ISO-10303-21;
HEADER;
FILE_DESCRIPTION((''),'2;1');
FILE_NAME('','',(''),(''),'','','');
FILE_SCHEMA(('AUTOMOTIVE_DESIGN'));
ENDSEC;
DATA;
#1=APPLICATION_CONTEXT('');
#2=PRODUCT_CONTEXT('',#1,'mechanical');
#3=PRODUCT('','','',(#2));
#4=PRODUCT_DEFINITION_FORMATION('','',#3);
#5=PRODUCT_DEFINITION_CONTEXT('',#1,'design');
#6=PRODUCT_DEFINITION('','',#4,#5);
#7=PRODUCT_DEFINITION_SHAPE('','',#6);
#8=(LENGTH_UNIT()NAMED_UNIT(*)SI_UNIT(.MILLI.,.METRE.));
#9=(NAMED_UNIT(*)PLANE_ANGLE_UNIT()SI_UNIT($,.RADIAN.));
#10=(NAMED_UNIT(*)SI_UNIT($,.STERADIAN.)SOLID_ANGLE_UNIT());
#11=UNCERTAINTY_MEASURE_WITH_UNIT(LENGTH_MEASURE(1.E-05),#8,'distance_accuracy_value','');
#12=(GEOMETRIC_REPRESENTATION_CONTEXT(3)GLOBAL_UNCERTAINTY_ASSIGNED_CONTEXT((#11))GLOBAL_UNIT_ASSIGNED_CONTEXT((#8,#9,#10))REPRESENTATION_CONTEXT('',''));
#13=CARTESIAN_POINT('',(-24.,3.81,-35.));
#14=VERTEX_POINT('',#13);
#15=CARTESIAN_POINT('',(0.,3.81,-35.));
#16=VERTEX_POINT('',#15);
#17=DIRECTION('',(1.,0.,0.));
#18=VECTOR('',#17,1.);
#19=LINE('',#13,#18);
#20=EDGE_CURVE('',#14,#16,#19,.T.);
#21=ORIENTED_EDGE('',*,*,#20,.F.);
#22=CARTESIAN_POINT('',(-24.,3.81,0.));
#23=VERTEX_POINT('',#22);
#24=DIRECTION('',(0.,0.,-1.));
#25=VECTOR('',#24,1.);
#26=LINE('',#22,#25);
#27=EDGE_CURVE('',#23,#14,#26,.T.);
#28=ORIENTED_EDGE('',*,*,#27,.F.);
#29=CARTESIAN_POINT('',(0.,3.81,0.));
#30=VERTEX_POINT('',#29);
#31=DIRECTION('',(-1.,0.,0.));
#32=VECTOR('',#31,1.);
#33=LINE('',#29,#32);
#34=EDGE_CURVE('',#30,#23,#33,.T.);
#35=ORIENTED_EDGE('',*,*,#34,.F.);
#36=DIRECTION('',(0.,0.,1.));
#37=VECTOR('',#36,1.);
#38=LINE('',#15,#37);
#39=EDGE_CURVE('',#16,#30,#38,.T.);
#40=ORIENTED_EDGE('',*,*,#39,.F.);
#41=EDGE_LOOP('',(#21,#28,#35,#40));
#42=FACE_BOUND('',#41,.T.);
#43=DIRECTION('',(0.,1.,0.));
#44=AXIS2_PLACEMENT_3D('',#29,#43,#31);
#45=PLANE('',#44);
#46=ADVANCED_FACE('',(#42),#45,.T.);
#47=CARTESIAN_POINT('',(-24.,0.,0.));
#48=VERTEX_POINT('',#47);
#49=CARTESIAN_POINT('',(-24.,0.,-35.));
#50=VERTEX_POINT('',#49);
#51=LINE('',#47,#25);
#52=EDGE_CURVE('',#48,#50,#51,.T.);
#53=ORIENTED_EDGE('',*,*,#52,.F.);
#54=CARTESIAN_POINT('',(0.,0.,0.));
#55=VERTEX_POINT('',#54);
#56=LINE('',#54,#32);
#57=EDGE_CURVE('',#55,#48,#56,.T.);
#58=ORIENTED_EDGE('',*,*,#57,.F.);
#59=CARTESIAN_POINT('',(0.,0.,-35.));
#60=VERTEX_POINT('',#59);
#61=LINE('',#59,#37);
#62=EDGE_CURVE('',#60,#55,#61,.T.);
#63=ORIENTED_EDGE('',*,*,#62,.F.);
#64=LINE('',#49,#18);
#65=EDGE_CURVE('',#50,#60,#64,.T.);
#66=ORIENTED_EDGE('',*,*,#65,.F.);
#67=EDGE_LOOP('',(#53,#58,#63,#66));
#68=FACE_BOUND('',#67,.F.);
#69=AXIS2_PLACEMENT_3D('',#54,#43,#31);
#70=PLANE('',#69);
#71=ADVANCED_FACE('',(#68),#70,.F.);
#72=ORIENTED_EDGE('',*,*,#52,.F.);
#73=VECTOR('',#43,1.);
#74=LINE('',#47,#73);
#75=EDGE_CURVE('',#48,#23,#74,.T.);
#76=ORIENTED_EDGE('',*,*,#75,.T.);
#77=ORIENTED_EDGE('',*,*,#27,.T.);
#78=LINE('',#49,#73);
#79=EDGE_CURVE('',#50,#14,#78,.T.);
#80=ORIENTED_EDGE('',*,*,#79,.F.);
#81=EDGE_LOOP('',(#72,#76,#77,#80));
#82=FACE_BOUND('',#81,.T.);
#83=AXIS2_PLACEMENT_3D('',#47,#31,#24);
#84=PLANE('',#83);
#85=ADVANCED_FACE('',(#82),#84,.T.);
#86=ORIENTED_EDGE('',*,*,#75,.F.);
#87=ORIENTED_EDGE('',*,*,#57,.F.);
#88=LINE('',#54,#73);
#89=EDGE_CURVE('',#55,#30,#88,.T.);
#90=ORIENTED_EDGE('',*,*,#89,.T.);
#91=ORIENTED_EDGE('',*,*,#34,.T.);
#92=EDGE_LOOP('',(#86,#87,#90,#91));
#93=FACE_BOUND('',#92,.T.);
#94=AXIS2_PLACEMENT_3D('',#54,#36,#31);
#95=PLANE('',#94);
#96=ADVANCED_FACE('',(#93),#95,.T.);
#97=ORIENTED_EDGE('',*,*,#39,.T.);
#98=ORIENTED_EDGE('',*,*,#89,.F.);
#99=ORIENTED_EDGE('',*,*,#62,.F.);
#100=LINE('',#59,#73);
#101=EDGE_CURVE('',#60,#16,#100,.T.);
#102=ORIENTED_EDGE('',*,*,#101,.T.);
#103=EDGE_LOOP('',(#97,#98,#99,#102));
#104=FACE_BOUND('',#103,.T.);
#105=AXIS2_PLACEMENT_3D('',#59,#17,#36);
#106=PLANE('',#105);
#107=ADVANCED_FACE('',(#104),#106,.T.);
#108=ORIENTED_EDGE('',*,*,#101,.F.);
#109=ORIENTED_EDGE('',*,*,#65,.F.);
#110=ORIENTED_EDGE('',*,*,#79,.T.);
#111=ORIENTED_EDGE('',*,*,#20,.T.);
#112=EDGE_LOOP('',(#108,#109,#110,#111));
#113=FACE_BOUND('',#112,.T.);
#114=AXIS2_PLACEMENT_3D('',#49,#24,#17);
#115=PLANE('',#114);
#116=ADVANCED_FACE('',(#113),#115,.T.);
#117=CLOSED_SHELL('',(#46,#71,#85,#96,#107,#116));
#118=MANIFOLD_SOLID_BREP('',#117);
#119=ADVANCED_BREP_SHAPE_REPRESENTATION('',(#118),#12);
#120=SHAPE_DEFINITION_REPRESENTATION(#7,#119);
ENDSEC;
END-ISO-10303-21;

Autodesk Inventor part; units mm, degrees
ref_plane "YZ Plane" through (0, 0, 0) normal (1, 0, 0) x (0, 1, 0)
ref_plane "XZ Plane" through (0, 0, 0) normal (0, 1, 0) x (-1, 0, 0)
ref_plane "XY Plane" through (0, 0, 0) normal (0, 0, 1) x (1, 0, 0)
sketch "Sketch1" plane through (0, 0, 0) normal (0, 1, 0) x (-1, 0, 0)
  line L0 (0, 0) -> (24, 0)
  line L1 (24, 0) -> (24, -35)
  line L2 (24, -35) -> (0, -35)
  line L3 (0, -35) -> (0, 0)
  dimension "d0" = 24
  dimension "d1" = 35
extrude "Extrusion1" add sketch "Sketch1" along normal blind 3.81
properties part number "MATEKSYS_12S_Pro"
